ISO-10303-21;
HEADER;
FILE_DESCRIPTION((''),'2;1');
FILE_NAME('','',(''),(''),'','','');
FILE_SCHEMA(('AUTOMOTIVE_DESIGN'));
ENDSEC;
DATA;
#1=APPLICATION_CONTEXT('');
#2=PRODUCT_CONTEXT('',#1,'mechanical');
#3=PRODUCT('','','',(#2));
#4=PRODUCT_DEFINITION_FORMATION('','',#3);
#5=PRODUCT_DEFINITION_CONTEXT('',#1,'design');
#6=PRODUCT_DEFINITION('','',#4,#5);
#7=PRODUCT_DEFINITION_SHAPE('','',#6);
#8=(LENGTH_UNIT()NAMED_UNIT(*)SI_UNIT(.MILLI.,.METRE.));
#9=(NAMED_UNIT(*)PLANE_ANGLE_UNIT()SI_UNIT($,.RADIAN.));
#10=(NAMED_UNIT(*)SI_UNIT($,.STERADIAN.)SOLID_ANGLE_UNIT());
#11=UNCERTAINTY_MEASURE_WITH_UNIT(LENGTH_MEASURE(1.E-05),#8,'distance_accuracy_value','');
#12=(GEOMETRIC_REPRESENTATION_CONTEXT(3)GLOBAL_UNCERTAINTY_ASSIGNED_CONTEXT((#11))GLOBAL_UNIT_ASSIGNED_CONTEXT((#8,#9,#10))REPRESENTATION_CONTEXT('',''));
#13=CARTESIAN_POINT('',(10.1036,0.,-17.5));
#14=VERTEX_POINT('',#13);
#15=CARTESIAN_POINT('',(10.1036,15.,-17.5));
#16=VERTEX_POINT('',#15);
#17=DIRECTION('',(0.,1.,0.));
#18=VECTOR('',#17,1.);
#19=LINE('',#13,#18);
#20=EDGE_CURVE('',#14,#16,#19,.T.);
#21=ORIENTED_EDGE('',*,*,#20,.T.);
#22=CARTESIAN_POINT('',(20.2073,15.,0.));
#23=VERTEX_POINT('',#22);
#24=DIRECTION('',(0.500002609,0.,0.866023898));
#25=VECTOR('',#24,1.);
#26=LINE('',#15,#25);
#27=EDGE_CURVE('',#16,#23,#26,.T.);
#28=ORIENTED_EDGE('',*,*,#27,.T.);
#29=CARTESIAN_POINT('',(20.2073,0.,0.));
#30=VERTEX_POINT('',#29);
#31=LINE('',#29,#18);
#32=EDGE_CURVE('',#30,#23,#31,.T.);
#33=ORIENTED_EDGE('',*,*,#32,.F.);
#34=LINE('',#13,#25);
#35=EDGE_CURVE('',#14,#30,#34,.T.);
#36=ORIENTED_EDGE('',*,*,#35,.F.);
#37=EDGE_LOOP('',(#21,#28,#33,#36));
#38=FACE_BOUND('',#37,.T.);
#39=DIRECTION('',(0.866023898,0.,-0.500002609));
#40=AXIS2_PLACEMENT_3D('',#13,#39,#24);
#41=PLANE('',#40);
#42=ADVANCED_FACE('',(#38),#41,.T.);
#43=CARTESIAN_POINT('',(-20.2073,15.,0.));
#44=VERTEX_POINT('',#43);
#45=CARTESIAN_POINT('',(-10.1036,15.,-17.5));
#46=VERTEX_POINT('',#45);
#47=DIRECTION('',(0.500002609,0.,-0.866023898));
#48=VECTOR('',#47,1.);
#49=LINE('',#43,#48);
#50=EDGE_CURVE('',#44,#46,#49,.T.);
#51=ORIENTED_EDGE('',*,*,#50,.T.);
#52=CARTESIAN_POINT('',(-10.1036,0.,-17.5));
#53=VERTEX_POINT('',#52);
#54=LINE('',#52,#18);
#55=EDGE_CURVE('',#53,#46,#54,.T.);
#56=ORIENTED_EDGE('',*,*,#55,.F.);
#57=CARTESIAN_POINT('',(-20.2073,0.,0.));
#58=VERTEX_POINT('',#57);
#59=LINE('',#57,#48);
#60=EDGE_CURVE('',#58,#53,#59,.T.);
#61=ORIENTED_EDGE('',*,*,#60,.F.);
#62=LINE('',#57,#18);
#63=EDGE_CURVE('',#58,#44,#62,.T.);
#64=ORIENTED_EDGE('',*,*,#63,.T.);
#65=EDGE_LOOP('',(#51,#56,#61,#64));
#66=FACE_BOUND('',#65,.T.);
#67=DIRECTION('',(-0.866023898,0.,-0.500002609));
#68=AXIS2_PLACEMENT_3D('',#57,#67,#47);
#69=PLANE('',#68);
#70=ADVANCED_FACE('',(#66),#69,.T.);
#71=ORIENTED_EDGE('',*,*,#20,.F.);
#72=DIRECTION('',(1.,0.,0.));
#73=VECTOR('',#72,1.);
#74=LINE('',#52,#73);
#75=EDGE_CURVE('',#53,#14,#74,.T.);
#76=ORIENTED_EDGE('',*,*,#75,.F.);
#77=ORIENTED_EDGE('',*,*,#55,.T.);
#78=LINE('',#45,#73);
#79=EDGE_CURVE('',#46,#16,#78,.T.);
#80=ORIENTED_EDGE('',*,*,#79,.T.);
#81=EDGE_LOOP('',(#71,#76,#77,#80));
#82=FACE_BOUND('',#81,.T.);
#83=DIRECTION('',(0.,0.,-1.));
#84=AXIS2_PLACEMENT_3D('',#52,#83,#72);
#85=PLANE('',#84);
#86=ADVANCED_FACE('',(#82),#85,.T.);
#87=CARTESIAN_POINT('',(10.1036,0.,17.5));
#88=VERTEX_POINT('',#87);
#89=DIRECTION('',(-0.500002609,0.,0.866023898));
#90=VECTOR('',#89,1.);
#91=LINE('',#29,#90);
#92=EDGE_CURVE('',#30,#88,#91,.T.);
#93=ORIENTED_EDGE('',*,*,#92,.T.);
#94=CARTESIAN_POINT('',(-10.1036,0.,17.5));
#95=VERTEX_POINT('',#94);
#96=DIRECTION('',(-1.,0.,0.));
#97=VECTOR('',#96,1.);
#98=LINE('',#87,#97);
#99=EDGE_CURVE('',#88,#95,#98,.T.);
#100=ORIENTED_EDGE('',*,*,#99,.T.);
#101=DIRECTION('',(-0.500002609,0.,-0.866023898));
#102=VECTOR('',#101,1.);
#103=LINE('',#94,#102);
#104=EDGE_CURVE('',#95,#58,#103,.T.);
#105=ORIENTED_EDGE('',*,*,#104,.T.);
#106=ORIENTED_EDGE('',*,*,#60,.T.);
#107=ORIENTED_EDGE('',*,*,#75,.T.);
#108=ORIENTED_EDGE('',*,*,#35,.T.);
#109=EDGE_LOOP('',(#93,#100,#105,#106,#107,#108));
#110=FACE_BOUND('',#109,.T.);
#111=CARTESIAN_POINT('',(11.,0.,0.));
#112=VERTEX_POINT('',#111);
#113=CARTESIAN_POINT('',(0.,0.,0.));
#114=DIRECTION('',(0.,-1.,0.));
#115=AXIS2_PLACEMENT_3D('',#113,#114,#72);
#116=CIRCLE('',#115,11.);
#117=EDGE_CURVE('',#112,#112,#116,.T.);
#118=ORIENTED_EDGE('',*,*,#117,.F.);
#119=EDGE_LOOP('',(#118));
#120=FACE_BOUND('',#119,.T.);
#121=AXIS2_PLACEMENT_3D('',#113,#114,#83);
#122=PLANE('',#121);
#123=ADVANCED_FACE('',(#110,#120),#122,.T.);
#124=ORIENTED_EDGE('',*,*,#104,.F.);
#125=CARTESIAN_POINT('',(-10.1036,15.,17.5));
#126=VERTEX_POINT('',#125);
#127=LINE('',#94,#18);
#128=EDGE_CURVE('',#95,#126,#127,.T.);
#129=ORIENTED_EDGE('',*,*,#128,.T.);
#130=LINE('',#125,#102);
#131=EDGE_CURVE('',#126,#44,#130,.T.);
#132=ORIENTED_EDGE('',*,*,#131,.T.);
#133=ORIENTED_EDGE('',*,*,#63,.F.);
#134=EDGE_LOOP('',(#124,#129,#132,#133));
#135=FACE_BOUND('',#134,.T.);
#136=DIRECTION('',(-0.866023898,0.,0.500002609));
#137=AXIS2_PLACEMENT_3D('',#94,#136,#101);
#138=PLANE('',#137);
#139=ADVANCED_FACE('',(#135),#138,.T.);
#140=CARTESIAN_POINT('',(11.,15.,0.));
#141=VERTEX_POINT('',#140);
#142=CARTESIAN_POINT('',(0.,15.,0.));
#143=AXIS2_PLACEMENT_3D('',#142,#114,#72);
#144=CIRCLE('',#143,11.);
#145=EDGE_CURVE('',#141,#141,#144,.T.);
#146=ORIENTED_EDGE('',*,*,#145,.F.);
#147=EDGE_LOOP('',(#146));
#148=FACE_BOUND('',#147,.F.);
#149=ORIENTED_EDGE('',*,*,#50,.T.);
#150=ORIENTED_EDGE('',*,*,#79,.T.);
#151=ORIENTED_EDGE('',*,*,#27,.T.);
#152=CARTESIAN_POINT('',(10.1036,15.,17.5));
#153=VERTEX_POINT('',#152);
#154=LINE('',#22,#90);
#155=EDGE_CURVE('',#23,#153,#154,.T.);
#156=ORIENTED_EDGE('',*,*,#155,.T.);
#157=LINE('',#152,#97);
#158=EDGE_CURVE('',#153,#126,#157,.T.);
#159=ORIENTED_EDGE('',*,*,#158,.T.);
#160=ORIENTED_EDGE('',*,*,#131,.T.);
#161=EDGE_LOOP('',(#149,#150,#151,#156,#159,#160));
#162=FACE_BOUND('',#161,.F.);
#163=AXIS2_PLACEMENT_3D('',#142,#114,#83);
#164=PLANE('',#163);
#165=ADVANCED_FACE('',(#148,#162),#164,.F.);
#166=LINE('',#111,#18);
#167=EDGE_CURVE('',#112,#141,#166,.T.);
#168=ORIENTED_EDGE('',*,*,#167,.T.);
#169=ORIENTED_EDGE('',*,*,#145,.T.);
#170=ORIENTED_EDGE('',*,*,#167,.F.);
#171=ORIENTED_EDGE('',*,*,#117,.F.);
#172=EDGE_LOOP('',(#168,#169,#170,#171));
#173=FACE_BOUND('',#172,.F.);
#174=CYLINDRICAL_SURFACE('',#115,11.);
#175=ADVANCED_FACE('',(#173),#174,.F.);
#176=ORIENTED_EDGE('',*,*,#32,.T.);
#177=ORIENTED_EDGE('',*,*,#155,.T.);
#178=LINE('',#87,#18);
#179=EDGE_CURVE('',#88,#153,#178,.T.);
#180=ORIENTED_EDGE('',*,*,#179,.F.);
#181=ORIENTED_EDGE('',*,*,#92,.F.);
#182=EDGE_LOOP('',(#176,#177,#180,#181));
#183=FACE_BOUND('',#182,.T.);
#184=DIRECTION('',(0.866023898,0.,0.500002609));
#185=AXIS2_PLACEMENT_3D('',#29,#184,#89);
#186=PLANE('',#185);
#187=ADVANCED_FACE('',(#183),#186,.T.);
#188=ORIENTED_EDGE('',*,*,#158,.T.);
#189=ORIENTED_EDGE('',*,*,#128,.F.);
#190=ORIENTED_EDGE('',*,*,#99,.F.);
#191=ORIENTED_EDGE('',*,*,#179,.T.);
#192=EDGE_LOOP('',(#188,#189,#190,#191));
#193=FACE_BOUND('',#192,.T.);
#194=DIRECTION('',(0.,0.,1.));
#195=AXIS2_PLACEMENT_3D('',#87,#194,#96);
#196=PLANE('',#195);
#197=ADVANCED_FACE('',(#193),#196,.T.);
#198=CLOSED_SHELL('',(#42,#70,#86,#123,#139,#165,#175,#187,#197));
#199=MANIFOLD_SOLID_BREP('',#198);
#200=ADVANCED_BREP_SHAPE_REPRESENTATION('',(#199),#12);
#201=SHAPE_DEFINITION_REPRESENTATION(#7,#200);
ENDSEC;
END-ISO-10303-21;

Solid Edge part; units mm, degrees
sketch "Sketch1" plane through (0, 0, 0) normal (0, -1, 0) x (1, 0, 0)
  line L0 (-10.1036, 17.5) -> (-20.2073, 0)
  line L1 (-20.2073, 0) -> (-10.1036, -17.5)
  line L2 (-10.1036, -17.5) -> (10.1036, -17.5)
  line L3 (10.1036, -17.5) -> (20.2073, 0)
  line L4 (20.2073, 0) -> (10.1036, 17.5)
  line L5 (10.1036, 17.5) -> (-10.1036, 17.5)
extrude "Protrusion1" add sketch "Sketch1" against normal blind 15
sketch "Sketch2" plane through (0, 0, 0) normal (0, -1, 0) x (1, 0, 0)
  circle A0 centre (0, 0) radius 11
extrude "ExtrudedCutout_1" cut sketch "Sketch2" against normal blind 49.2939
cosmetic_thread "Thread1" size "M22"
